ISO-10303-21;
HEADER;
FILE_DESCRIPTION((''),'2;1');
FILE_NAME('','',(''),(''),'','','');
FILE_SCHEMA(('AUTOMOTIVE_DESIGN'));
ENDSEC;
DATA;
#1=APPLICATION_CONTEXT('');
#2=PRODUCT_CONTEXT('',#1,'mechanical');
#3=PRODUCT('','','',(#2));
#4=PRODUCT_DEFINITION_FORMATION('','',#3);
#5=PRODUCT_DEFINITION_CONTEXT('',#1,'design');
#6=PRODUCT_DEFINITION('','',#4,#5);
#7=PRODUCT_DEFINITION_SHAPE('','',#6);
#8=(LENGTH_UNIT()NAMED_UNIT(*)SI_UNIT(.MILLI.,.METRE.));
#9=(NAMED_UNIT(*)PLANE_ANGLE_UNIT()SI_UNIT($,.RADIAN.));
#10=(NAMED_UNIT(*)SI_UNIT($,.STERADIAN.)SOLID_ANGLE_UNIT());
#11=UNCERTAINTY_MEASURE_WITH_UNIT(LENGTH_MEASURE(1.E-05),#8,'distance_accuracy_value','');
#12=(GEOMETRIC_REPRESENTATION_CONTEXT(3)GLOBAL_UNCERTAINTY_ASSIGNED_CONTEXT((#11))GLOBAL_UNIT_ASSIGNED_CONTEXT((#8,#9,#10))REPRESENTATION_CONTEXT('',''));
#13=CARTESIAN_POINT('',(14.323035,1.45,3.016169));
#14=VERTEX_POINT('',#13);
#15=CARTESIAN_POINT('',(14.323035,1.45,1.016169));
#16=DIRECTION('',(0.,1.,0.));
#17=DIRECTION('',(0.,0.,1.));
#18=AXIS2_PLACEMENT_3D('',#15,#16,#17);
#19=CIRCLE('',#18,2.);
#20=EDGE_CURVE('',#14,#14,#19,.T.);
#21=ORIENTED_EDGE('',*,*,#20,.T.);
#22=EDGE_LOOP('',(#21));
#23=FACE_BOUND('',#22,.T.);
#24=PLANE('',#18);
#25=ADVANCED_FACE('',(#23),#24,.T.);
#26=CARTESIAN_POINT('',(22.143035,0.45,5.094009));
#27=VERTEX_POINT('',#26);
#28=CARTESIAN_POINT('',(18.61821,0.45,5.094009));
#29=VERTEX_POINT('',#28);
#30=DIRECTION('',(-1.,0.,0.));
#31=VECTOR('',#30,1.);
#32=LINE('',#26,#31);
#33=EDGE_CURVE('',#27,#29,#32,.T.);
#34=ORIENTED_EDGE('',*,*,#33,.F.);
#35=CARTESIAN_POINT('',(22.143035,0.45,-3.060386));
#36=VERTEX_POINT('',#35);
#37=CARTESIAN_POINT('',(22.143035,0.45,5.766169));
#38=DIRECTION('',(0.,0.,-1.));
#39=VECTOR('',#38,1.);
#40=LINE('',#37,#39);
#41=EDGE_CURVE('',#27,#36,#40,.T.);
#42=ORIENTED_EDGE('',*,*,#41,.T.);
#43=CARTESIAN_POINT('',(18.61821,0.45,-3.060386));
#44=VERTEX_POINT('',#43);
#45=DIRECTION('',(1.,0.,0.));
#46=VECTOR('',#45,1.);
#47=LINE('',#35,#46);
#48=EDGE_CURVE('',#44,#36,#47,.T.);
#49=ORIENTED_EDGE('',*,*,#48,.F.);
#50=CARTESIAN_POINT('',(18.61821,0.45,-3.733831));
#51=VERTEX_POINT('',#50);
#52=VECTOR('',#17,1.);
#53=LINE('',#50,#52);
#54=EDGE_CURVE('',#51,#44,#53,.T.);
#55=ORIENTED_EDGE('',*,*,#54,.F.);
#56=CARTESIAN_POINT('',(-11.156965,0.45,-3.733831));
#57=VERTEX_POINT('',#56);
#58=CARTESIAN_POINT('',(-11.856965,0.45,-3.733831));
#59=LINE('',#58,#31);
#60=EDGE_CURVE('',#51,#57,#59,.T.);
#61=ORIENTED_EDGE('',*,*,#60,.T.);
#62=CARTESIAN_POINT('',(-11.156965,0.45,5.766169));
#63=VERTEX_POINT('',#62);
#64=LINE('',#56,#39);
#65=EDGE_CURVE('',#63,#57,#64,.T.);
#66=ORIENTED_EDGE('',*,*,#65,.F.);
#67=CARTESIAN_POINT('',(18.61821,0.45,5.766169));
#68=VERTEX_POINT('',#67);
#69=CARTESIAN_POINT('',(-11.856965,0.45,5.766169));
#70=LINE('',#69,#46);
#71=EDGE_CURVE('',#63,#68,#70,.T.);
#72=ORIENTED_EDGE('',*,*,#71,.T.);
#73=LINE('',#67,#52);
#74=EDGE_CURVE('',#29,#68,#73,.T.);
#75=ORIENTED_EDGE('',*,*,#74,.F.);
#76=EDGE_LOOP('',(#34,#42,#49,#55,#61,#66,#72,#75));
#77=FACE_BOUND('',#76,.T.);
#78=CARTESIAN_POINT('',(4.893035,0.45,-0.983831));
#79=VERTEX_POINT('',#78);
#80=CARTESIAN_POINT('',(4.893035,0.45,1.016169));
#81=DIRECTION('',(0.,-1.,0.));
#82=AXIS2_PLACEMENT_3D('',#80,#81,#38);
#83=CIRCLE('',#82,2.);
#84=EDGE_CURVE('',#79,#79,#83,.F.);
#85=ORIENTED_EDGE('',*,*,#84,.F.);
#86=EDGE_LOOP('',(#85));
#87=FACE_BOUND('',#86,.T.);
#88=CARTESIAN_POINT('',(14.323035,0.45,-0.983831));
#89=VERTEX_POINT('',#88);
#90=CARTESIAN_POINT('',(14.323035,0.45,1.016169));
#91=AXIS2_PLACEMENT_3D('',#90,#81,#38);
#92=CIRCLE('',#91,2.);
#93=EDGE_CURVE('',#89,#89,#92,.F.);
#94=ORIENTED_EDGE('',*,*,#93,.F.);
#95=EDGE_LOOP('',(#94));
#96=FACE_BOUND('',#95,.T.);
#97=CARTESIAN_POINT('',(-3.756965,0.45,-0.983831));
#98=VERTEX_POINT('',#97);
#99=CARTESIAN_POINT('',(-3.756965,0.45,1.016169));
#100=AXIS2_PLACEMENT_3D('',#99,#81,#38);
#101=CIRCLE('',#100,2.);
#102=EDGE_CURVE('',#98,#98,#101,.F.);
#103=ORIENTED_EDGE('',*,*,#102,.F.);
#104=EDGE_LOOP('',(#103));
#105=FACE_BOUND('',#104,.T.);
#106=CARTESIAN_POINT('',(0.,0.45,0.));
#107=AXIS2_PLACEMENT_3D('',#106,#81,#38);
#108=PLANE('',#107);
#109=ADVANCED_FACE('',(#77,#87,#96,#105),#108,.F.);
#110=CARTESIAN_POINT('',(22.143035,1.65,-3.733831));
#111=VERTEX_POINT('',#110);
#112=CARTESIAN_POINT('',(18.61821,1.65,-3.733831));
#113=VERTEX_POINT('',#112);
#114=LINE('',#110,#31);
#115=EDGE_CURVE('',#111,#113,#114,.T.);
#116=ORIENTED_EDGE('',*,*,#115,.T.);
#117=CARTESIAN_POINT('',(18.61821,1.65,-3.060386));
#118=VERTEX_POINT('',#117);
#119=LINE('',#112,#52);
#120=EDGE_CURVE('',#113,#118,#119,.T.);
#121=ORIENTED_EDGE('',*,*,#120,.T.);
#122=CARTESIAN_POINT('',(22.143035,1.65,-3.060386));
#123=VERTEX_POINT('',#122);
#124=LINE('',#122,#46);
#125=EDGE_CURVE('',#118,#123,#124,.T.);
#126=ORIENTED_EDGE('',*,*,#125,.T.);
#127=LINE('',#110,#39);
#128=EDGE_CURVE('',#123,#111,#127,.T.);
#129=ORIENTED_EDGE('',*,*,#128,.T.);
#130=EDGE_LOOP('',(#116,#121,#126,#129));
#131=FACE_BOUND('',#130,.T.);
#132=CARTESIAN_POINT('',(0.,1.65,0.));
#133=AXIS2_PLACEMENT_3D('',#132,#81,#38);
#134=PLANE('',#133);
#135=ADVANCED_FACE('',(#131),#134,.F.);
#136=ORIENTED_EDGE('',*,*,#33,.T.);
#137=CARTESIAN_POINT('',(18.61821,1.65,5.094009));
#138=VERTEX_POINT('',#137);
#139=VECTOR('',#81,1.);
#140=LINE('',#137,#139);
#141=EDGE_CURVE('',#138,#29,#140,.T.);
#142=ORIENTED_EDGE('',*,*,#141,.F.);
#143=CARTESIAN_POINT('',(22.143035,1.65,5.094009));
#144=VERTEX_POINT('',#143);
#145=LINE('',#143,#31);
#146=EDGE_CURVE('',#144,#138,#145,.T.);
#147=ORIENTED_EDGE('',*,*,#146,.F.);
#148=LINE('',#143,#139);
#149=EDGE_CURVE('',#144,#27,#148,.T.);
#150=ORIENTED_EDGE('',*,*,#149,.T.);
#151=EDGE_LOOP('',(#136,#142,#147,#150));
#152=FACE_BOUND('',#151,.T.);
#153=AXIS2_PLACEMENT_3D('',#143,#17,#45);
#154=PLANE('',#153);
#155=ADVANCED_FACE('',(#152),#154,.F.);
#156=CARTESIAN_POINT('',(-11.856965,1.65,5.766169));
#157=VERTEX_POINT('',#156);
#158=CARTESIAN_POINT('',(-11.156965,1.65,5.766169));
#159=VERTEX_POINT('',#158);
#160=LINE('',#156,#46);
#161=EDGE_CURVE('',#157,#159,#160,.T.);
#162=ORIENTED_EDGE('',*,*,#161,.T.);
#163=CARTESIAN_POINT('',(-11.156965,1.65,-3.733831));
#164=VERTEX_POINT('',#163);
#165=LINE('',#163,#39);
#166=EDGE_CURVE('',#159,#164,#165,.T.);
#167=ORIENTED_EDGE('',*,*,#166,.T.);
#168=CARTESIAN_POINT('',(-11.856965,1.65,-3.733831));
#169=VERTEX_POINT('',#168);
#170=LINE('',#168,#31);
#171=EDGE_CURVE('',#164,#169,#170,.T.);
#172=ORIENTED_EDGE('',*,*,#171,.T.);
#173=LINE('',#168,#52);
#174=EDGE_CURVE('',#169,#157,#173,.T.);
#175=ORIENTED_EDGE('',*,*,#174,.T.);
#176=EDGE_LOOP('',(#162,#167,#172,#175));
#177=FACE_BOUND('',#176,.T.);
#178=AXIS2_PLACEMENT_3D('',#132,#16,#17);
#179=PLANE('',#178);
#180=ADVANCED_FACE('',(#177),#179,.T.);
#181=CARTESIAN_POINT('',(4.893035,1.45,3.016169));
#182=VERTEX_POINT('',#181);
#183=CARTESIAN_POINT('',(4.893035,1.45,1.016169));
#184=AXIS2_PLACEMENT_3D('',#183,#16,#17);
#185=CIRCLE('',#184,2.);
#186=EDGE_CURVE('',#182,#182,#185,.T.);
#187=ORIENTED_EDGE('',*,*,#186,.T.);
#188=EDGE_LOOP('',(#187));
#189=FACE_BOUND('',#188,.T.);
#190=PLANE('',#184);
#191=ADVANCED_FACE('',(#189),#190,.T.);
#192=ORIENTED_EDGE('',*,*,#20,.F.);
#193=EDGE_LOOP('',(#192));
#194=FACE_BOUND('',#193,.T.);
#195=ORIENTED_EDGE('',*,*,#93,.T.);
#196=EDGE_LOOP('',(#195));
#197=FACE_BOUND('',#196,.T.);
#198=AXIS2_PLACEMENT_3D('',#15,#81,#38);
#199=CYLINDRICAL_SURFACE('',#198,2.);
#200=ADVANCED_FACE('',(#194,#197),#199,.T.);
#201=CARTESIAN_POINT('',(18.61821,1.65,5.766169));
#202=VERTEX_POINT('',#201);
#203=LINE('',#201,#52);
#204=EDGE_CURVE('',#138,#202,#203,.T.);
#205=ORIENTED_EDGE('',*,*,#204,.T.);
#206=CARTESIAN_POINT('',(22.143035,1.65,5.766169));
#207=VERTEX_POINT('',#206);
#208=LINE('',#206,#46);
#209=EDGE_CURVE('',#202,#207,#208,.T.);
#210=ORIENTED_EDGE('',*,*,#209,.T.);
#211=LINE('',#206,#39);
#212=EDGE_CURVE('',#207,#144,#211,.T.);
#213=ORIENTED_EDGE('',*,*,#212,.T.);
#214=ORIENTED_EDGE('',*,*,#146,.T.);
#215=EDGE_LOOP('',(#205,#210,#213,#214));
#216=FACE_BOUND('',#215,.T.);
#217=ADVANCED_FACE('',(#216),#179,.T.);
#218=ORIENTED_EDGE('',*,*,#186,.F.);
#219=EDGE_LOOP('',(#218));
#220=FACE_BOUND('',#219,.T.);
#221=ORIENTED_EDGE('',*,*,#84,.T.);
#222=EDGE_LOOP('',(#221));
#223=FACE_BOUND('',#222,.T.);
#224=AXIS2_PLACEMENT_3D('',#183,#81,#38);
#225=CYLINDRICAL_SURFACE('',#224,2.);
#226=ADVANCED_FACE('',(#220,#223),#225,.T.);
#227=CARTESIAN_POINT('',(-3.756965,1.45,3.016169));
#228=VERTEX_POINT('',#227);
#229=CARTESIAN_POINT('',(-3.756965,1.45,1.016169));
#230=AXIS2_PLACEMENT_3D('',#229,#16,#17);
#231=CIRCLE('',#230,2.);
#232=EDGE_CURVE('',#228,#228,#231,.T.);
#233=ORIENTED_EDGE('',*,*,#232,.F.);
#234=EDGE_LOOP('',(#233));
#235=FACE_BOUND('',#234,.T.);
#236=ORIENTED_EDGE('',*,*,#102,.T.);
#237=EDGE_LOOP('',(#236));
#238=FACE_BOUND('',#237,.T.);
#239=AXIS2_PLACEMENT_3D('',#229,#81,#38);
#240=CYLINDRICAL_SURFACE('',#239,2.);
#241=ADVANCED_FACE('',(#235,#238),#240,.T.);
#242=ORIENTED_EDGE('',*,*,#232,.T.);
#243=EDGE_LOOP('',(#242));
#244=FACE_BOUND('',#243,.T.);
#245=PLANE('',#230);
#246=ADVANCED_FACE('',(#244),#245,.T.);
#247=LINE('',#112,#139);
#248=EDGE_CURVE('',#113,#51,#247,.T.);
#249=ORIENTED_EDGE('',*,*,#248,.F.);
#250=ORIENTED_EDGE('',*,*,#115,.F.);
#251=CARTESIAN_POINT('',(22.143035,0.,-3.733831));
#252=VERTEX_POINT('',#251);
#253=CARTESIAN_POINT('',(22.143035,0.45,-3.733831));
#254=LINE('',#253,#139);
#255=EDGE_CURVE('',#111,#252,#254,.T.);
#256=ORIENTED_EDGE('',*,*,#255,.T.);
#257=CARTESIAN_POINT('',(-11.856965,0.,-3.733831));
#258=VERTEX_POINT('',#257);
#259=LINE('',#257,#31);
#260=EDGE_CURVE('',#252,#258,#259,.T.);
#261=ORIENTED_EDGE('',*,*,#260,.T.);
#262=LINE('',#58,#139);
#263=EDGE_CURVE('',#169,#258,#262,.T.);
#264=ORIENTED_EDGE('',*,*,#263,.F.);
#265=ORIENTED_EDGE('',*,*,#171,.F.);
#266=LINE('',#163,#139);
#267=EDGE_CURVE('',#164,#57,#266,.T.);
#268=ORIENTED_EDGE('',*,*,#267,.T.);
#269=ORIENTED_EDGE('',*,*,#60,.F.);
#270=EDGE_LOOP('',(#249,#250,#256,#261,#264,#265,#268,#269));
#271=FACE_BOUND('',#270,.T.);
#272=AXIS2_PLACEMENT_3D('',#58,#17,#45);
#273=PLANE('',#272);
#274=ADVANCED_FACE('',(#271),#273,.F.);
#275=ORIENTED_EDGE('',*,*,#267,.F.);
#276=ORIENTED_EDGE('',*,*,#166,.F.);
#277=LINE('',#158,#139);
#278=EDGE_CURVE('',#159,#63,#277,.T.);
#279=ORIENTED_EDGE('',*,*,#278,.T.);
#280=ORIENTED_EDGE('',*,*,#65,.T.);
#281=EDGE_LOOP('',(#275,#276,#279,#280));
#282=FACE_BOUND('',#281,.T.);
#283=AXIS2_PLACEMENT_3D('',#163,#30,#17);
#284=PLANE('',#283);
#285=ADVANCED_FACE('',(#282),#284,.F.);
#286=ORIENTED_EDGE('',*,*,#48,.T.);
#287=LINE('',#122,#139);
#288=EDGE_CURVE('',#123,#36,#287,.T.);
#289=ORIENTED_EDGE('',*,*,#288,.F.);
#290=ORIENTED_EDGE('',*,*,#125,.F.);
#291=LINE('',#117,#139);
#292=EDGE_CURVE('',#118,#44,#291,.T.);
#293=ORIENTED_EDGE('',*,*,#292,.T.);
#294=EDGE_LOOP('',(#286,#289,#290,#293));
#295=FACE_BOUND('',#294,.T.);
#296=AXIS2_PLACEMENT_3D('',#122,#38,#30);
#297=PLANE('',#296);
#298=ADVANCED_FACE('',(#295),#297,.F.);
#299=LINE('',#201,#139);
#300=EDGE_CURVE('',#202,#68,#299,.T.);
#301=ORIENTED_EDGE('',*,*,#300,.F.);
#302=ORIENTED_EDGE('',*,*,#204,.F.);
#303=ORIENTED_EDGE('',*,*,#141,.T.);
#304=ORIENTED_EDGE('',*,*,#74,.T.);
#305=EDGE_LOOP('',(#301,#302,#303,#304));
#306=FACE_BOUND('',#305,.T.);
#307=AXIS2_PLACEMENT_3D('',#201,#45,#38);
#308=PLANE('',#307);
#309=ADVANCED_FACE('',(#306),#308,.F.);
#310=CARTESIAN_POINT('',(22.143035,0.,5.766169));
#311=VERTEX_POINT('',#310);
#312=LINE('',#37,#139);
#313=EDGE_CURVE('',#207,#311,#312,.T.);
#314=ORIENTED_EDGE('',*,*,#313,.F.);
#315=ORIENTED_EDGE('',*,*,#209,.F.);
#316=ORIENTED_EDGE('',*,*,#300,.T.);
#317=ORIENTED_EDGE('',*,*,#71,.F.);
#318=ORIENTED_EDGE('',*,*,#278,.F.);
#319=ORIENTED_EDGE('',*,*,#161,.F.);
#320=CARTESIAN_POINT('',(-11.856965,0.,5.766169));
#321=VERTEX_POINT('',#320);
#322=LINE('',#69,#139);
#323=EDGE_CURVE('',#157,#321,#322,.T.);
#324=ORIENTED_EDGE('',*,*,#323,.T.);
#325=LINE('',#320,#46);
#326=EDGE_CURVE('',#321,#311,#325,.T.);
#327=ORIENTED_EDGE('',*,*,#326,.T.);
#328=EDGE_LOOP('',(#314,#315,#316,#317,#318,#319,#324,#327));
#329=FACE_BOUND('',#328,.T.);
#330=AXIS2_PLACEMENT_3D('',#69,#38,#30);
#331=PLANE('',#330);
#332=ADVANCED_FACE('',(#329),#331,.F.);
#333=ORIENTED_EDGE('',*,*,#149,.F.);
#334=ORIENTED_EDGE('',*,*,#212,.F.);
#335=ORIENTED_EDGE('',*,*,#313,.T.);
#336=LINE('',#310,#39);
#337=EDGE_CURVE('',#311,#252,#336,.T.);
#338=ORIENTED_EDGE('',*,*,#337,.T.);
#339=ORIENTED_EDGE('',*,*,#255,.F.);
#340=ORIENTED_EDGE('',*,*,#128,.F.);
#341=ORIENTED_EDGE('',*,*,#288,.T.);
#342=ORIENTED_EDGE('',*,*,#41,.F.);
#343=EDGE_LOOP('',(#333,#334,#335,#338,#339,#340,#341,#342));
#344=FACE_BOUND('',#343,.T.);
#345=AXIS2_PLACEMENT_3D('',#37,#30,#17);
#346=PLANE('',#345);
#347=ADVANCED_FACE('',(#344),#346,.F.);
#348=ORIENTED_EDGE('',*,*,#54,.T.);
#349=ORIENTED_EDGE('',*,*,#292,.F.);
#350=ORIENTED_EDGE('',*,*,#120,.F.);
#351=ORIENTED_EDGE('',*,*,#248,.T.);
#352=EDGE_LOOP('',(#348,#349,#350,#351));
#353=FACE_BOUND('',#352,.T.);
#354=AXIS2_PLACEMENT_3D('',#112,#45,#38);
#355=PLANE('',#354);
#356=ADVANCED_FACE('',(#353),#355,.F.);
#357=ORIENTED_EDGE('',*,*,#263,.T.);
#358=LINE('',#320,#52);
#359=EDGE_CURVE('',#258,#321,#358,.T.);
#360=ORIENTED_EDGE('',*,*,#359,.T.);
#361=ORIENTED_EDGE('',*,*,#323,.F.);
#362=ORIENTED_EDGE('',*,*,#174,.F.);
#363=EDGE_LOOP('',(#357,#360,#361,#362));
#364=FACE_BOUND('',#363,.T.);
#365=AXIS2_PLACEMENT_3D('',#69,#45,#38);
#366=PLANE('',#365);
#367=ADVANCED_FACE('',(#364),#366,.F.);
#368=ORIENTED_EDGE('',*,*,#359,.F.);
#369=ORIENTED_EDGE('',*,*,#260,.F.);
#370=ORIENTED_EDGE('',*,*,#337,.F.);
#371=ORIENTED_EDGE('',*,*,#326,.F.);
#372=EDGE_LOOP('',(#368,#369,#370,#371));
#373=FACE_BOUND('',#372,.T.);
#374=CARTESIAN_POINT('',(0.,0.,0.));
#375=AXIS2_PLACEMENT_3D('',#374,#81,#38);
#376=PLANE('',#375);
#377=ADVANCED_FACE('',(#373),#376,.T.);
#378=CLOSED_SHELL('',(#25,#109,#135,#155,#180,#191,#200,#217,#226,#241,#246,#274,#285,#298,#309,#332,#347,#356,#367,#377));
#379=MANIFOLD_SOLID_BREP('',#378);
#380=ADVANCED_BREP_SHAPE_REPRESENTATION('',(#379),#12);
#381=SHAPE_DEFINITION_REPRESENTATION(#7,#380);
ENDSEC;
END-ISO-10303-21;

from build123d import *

# Parameters (mm, degrees)
SKETCH1_W           = 34
SKETCH1_H           = 9.5
BOSS_EXTRUDE1_DEPTH = 0.45
SKETCH2_W           = 0.7
SKETCH2_H           = 9.5
BOSS_EXTRUDE2_DEPTH = 1.2
SKETCH3_R           = 2
BOSS_EXTRUDE3_DEPTH = 1
SKETCH4_W           = 3.524824873
SKETCH4_H           = 0.673444534
SKETCH4_H_2         = 0.672160641
BOSS_EXTRUDE4_DEPTH = 1.2


with BuildPart() as part:
    # Sketch1 → Boss-Extrude1 (new body)
    with BuildSketch(Plane(origin=(0, 0, 0), x_dir=(1, 0, 0), z_dir=(0, 1, 0))):
        with Locations((5.143034826, -1.016169154)):
            Rectangle(SKETCH1_W, SKETCH1_H)
    extrude(amount=BOSS_EXTRUDE1_DEPTH)

    # Sketch2 → Boss-Extrude2 (add)
    with BuildSketch(Plane(origin=(0, 0.45, 0), x_dir=(1, 0, 0), z_dir=(0, 1, 0))):
        with Locations((-11.506965174, -1.016169154)):
            Rectangle(SKETCH2_W, SKETCH2_H)
    extrude(amount=BOSS_EXTRUDE2_DEPTH)

    # Sketch3 → Boss-Extrude3 (add)
    with BuildSketch(Plane(origin=(0, 0.45, 0), x_dir=(1, 0, 0), z_dir=(0, 1, 0))):
        with Locations((-3.756965174, -1.016169154)):
            Circle(SKETCH3_R)
        with Locations((4.893034826, -1.016169154)):
            Circle(SKETCH3_R)
        with Locations((14.323034826, -1.016169154)):
            Circle(SKETCH3_R)
    extrude(amount=BOSS_EXTRUDE3_DEPTH)

    # Sketch4 → Boss-Extrude4 (add)
    with BuildSketch(Plane(origin=(0, 0.45, 0), x_dir=(1, 0, 0), z_dir=(0, 1, 0))):
        with Locations((20.38062239, 3.397108579)):
            Rectangle(SKETCH4_W, SKETCH4_H)
        with Locations((20.38062239, -5.430088834)):
            Rectangle(SKETCH4_W, SKETCH4_H_2)
    extrude(amount=BOSS_EXTRUDE4_DEPTH)


solid = part.part
